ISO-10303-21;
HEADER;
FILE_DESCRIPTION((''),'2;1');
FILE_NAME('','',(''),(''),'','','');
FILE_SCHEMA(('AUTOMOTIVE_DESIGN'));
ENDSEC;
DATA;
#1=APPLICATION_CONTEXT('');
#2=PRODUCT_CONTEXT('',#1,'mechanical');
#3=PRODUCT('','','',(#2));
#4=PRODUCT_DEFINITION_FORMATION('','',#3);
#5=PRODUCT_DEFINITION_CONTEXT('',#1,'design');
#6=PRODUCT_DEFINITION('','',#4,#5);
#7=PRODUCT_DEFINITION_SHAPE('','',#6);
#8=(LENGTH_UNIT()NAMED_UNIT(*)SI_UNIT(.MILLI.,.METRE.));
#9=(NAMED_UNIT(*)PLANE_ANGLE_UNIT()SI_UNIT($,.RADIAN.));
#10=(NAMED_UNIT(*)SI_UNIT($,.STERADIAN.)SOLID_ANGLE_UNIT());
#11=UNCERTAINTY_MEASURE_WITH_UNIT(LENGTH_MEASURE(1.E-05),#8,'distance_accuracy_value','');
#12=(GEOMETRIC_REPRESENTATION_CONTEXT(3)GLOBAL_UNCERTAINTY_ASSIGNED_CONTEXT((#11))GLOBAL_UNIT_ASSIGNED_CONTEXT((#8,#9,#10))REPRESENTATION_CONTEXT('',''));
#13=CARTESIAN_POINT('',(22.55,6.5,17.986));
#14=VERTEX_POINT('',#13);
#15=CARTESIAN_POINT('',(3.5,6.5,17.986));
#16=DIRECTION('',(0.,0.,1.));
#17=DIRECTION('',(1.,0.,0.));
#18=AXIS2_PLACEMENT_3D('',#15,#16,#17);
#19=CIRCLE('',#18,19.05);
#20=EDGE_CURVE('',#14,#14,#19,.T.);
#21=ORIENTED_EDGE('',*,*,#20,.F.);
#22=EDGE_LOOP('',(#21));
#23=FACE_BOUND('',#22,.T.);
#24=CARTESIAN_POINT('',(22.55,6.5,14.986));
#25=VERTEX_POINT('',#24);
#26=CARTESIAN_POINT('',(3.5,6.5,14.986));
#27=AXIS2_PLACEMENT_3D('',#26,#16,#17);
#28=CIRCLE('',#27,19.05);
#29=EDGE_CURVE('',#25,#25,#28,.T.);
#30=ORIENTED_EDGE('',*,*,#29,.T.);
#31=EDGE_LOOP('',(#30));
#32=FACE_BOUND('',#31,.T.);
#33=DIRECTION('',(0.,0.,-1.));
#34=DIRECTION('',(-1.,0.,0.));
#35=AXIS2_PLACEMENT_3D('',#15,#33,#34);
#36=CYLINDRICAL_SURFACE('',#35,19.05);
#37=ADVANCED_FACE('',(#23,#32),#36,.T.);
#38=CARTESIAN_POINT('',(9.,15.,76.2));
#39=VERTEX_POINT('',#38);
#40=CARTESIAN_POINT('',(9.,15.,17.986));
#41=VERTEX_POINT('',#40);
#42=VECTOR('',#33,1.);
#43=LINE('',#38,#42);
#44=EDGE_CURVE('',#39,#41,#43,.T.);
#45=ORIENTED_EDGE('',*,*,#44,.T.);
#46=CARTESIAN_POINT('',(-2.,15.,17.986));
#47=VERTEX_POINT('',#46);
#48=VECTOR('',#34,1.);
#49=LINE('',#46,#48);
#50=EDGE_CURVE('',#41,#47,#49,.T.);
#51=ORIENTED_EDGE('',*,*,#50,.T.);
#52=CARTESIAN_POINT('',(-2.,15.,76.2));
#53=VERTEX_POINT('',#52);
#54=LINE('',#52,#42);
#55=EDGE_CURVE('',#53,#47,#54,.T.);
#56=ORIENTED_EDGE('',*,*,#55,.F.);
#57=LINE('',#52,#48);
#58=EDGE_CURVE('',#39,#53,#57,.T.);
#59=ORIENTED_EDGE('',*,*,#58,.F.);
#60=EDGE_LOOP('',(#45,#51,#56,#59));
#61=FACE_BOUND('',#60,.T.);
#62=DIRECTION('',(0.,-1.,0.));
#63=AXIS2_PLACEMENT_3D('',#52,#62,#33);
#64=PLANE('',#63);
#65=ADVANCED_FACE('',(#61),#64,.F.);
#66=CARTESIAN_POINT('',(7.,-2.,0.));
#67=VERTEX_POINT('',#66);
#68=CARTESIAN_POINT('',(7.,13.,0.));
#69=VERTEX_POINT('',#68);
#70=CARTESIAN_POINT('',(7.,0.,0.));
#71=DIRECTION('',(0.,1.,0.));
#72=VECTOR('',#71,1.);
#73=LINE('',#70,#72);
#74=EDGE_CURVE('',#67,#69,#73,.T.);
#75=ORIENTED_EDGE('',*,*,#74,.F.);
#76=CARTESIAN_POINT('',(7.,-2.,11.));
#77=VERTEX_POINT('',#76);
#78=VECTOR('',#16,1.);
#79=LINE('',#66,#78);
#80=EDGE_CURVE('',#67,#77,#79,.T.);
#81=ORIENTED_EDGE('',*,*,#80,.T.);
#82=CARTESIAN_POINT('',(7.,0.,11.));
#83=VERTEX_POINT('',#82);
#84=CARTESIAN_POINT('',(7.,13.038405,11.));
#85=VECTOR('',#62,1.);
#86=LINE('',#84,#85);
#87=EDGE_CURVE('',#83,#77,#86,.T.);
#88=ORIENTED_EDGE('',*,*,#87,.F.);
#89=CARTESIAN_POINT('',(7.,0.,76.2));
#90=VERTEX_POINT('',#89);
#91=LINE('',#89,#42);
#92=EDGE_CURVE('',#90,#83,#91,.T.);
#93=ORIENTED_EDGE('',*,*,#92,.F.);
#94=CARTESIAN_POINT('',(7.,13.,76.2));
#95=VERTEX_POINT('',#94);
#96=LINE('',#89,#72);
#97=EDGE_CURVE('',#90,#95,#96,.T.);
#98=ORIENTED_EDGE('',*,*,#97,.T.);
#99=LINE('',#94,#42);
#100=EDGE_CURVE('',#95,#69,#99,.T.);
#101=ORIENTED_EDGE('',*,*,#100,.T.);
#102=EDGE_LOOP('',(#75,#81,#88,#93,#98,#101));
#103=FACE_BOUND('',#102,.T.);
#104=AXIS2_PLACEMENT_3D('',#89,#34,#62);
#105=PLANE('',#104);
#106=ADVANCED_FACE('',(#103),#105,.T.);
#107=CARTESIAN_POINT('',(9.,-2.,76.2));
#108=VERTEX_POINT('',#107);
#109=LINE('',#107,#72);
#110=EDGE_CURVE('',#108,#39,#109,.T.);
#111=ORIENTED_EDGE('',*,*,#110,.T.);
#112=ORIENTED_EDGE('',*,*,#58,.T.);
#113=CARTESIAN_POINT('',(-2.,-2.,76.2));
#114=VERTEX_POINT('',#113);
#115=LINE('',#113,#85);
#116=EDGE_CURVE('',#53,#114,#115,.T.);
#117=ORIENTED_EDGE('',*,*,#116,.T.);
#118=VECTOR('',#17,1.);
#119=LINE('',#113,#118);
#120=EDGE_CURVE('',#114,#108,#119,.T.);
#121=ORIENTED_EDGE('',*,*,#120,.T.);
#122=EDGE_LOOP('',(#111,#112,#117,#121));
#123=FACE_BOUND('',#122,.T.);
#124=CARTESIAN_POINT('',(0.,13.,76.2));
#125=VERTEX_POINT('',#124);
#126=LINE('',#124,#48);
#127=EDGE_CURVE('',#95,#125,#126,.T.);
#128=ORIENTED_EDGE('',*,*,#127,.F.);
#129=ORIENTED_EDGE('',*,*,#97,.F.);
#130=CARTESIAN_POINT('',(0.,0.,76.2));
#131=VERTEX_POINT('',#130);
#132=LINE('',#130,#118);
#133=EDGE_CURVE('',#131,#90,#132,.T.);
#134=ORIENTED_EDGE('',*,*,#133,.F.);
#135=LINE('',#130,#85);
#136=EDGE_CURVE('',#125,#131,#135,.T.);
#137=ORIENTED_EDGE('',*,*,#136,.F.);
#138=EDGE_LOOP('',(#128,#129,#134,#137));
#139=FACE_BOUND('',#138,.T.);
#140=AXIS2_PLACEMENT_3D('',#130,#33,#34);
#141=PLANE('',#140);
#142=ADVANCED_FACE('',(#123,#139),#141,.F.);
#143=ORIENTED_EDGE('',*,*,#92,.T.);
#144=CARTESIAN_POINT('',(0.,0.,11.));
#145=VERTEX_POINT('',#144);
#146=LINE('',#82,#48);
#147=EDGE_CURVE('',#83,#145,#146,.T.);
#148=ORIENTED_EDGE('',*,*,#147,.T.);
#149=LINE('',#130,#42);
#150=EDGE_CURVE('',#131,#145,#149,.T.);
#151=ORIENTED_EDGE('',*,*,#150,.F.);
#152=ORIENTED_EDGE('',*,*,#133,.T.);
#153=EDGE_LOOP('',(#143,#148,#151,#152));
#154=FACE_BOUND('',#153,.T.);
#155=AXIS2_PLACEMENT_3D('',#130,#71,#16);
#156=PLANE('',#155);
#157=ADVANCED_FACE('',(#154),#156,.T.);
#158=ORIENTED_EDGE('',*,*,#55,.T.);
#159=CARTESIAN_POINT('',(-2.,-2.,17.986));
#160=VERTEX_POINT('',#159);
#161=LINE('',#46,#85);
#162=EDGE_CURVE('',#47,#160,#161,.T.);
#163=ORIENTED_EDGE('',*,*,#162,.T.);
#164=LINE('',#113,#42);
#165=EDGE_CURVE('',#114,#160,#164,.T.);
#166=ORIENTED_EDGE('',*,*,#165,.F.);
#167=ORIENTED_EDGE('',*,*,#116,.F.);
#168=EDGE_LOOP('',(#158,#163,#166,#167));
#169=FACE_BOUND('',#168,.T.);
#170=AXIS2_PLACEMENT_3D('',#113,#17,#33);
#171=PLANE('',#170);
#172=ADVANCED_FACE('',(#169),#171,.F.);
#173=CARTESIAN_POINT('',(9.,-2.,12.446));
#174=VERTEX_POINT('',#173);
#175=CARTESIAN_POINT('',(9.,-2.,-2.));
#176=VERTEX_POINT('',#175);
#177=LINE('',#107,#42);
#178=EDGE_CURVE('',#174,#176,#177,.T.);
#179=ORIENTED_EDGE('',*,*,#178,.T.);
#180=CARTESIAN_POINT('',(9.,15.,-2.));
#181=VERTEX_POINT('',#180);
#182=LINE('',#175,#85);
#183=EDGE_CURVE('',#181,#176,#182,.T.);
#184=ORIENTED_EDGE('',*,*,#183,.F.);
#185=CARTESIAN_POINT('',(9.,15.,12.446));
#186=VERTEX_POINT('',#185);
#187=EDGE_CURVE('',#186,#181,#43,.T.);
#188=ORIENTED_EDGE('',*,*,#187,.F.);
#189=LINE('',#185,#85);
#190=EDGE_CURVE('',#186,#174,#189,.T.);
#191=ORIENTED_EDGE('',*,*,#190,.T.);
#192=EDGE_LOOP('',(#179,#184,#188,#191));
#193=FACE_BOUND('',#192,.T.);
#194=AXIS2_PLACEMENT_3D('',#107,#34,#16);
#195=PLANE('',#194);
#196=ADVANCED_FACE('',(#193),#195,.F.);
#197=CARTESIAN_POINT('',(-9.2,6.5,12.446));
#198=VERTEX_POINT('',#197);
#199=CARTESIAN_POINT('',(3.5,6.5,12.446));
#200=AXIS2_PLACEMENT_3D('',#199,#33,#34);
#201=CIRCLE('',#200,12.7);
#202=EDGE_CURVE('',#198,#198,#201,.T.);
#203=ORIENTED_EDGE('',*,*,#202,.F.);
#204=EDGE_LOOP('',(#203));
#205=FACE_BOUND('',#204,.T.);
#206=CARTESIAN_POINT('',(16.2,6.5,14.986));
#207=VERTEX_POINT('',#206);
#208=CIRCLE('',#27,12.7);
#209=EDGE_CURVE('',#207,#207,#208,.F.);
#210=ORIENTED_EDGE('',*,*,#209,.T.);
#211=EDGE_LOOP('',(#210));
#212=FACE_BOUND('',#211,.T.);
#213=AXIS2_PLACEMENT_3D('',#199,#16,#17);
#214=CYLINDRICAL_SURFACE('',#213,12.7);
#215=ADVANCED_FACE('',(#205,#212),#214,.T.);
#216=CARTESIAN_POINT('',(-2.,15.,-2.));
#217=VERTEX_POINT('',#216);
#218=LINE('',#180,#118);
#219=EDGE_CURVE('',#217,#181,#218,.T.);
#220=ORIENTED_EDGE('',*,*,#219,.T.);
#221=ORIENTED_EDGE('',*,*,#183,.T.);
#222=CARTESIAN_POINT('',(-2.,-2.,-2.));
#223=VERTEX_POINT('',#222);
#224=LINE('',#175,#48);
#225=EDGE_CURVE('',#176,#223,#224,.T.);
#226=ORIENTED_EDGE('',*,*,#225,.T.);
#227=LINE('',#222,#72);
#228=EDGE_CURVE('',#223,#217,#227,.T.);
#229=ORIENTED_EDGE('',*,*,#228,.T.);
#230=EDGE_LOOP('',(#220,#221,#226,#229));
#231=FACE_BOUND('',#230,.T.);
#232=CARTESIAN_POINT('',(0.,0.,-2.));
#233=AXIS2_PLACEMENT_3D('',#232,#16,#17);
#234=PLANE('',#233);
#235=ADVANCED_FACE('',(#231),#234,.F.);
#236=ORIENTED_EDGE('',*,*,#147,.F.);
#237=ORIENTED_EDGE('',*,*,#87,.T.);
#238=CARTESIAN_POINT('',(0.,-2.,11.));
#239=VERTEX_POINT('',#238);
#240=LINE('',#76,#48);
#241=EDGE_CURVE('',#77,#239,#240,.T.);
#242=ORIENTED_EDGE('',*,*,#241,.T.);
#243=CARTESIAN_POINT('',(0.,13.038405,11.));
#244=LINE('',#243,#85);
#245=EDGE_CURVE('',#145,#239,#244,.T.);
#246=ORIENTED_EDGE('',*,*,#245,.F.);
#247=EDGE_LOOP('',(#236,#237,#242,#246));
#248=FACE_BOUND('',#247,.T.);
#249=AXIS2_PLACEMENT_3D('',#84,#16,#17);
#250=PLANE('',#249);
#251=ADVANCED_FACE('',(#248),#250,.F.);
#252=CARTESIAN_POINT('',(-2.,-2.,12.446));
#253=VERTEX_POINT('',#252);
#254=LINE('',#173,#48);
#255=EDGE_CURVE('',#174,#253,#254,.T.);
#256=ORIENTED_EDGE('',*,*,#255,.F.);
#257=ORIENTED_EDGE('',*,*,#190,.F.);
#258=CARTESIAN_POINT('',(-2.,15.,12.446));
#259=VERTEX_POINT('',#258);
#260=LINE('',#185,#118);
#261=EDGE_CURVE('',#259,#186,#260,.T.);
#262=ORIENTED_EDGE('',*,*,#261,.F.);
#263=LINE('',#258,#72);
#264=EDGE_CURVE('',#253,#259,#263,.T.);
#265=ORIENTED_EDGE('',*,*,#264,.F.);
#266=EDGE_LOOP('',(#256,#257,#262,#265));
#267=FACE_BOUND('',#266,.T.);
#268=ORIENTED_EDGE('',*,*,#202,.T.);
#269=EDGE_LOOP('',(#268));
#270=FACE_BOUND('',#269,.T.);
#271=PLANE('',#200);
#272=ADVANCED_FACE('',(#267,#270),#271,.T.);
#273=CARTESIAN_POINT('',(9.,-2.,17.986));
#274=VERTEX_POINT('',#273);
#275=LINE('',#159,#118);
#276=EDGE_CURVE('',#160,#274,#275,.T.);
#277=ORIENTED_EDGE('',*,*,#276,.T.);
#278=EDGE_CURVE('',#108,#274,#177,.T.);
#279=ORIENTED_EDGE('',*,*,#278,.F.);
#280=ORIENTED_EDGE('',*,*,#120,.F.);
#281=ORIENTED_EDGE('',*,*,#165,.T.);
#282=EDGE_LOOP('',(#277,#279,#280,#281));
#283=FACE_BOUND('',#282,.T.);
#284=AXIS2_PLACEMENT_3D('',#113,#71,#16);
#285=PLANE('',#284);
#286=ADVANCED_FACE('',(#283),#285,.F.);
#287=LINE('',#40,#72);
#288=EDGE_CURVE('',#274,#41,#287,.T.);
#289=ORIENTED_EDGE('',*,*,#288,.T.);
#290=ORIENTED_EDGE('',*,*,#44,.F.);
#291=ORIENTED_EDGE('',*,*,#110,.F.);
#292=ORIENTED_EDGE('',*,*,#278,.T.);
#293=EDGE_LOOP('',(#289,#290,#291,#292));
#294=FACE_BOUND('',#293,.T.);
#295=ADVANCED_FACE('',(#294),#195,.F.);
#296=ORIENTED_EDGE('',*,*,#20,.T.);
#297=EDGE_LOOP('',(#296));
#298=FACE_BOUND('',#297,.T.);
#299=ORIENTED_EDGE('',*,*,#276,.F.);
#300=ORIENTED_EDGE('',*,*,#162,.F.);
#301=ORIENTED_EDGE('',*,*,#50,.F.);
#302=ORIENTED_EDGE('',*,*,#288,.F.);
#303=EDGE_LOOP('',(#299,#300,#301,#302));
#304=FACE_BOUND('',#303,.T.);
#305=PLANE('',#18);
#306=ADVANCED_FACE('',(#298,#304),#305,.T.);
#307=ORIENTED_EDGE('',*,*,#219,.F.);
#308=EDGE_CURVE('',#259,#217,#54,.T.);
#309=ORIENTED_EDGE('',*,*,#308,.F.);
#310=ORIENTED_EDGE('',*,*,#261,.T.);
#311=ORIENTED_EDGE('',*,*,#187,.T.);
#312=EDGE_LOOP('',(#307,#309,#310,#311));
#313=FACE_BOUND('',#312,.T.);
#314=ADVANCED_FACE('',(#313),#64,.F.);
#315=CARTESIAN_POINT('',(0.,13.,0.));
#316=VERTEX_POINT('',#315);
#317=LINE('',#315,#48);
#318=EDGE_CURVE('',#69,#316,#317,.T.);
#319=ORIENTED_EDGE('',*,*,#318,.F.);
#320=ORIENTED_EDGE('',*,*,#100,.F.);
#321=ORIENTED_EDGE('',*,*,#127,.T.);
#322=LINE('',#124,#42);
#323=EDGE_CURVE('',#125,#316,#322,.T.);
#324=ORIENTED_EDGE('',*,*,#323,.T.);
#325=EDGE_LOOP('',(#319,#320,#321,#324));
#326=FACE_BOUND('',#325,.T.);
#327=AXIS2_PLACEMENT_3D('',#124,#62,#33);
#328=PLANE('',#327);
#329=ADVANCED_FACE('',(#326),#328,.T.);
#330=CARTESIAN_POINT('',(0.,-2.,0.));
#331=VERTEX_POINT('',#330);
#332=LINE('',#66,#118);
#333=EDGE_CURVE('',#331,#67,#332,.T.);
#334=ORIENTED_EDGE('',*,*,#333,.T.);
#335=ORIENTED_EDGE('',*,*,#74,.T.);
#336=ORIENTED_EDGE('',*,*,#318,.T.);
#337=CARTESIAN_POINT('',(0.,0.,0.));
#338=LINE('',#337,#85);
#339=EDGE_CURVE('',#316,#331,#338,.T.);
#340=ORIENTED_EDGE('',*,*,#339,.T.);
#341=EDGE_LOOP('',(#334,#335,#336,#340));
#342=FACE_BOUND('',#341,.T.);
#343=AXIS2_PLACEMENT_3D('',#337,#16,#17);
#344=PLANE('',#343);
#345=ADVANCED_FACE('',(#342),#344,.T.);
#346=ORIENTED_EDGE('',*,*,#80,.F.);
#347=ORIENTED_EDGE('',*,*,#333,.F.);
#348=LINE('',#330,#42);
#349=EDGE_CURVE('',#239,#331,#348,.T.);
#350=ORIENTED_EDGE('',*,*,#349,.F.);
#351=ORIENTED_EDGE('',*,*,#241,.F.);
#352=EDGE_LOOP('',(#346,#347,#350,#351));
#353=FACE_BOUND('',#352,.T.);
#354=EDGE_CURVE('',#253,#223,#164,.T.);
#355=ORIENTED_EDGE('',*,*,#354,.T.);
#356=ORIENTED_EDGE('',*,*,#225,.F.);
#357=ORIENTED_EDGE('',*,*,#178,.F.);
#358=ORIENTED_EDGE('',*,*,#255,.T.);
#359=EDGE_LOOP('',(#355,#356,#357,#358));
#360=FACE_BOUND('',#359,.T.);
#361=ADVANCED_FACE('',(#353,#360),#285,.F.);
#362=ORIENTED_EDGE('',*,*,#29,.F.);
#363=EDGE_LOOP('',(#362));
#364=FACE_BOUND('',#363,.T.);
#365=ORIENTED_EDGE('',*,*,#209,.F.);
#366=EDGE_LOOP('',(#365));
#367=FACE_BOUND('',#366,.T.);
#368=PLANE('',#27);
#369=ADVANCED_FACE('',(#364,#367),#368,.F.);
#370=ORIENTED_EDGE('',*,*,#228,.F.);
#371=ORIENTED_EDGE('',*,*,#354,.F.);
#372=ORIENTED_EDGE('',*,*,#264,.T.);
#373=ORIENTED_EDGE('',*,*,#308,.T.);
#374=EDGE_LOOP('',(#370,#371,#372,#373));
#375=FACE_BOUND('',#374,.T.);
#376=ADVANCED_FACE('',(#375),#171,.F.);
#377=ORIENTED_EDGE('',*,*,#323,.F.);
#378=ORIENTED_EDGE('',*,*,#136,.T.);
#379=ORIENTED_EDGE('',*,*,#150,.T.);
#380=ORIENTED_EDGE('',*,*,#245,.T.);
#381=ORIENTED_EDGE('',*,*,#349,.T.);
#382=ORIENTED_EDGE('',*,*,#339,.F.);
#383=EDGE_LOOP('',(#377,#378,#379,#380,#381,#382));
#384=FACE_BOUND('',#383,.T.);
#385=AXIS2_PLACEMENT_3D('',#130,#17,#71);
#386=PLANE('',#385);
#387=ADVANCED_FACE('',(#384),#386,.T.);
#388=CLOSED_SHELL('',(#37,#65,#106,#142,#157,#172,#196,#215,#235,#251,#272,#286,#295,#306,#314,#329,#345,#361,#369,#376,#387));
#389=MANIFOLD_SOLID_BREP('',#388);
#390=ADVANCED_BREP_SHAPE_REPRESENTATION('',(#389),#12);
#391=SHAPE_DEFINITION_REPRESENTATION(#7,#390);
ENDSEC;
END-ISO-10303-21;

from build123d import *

# Parameters (mm, degrees)
SKETCH1_W           = 11
SKETCH1_H           = 17
SKETCH1_W_2         = 7
SKETCH1_H_2         = 13
BOSS_EXTRUDE1_DEPTH = 76.2
SKETCH2_W           = 11
SKETCH2_H           = 17
BOSS_EXTRUDE2_DEPTH = 2
SKETCH3_W           = 7
SKETCH3_H           = 11
CUT_EXTRUDE1_DEPTH  = 2
SKETCH4_R           = 19.05
SKETCH4_W           = 11
SKETCH4_H           = 17
BOSS_EXTRUDE3_DEPTH = 3
SKETCH5_R           = 12.7
SKETCH5_W           = 11
SKETCH5_H           = 17
BOSS_EXTRUDE4_DEPTH = 2.54


with BuildPart() as part:
    # Sketch1 → Boss-Extrude1 (new body)
    with BuildSketch(Plane.XY):
        with Locations((3.5, 6.5)):
            Rectangle(SKETCH1_W, SKETCH1_H)
        with Locations((3.5, 6.5)):
            Rectangle(SKETCH1_W_2, SKETCH1_H_2, mode=Mode.SUBTRACT)
    extrude(amount=BOSS_EXTRUDE1_DEPTH)

    # Sketch2 → Boss-Extrude2 (add)
    with BuildSketch(Plane(origin=(0, 0, 0), x_dir=(-1, 0, 0), z_dir=(0, 0, -1))):
        with Locations((-3.5, 6.5)):
            Rectangle(SKETCH2_W, SKETCH2_H)
    extrude(amount=BOSS_EXTRUDE2_DEPTH)

    # Sketch3 → Cut-Extrude1 (cut)
    with BuildSketch(Plane(origin=(0, -2, 0), x_dir=(-1, 0, 0), z_dir=(0, -1, 0))):
        with Locations((-3.5, -5.5)):
            Rectangle(SKETCH3_W, SKETCH3_H)
    extrude(amount=-CUT_EXTRUDE1_DEPTH, mode=Mode.SUBTRACT)

    # Sketch4 → Boss-Extrude3 (add)
    with BuildSketch(Plane.XY.offset(14.986)):
        with Locations((3.5, 6.5)):
            Circle(SKETCH4_R)
        with Locations((3.5, 6.5)):
            Rectangle(SKETCH4_W, SKETCH4_H, mode=Mode.SUBTRACT)
    extrude(amount=BOSS_EXTRUDE3_DEPTH)

    # Sketch5 → Boss-Extrude4 (add)
    with BuildSketch(Plane(origin=(0, 0, 14.986), x_dir=(-1, 0, 0), z_dir=(0, 0, -1))):
        with Locations((-3.5, 6.5)):
            Circle(SKETCH5_R)
        with Locations((-3.5, 6.5)):
            Rectangle(SKETCH5_W, SKETCH5_H, mode=Mode.SUBTRACT)
    extrude(amount=BOSS_EXTRUDE4_DEPTH)


solid = part.part
